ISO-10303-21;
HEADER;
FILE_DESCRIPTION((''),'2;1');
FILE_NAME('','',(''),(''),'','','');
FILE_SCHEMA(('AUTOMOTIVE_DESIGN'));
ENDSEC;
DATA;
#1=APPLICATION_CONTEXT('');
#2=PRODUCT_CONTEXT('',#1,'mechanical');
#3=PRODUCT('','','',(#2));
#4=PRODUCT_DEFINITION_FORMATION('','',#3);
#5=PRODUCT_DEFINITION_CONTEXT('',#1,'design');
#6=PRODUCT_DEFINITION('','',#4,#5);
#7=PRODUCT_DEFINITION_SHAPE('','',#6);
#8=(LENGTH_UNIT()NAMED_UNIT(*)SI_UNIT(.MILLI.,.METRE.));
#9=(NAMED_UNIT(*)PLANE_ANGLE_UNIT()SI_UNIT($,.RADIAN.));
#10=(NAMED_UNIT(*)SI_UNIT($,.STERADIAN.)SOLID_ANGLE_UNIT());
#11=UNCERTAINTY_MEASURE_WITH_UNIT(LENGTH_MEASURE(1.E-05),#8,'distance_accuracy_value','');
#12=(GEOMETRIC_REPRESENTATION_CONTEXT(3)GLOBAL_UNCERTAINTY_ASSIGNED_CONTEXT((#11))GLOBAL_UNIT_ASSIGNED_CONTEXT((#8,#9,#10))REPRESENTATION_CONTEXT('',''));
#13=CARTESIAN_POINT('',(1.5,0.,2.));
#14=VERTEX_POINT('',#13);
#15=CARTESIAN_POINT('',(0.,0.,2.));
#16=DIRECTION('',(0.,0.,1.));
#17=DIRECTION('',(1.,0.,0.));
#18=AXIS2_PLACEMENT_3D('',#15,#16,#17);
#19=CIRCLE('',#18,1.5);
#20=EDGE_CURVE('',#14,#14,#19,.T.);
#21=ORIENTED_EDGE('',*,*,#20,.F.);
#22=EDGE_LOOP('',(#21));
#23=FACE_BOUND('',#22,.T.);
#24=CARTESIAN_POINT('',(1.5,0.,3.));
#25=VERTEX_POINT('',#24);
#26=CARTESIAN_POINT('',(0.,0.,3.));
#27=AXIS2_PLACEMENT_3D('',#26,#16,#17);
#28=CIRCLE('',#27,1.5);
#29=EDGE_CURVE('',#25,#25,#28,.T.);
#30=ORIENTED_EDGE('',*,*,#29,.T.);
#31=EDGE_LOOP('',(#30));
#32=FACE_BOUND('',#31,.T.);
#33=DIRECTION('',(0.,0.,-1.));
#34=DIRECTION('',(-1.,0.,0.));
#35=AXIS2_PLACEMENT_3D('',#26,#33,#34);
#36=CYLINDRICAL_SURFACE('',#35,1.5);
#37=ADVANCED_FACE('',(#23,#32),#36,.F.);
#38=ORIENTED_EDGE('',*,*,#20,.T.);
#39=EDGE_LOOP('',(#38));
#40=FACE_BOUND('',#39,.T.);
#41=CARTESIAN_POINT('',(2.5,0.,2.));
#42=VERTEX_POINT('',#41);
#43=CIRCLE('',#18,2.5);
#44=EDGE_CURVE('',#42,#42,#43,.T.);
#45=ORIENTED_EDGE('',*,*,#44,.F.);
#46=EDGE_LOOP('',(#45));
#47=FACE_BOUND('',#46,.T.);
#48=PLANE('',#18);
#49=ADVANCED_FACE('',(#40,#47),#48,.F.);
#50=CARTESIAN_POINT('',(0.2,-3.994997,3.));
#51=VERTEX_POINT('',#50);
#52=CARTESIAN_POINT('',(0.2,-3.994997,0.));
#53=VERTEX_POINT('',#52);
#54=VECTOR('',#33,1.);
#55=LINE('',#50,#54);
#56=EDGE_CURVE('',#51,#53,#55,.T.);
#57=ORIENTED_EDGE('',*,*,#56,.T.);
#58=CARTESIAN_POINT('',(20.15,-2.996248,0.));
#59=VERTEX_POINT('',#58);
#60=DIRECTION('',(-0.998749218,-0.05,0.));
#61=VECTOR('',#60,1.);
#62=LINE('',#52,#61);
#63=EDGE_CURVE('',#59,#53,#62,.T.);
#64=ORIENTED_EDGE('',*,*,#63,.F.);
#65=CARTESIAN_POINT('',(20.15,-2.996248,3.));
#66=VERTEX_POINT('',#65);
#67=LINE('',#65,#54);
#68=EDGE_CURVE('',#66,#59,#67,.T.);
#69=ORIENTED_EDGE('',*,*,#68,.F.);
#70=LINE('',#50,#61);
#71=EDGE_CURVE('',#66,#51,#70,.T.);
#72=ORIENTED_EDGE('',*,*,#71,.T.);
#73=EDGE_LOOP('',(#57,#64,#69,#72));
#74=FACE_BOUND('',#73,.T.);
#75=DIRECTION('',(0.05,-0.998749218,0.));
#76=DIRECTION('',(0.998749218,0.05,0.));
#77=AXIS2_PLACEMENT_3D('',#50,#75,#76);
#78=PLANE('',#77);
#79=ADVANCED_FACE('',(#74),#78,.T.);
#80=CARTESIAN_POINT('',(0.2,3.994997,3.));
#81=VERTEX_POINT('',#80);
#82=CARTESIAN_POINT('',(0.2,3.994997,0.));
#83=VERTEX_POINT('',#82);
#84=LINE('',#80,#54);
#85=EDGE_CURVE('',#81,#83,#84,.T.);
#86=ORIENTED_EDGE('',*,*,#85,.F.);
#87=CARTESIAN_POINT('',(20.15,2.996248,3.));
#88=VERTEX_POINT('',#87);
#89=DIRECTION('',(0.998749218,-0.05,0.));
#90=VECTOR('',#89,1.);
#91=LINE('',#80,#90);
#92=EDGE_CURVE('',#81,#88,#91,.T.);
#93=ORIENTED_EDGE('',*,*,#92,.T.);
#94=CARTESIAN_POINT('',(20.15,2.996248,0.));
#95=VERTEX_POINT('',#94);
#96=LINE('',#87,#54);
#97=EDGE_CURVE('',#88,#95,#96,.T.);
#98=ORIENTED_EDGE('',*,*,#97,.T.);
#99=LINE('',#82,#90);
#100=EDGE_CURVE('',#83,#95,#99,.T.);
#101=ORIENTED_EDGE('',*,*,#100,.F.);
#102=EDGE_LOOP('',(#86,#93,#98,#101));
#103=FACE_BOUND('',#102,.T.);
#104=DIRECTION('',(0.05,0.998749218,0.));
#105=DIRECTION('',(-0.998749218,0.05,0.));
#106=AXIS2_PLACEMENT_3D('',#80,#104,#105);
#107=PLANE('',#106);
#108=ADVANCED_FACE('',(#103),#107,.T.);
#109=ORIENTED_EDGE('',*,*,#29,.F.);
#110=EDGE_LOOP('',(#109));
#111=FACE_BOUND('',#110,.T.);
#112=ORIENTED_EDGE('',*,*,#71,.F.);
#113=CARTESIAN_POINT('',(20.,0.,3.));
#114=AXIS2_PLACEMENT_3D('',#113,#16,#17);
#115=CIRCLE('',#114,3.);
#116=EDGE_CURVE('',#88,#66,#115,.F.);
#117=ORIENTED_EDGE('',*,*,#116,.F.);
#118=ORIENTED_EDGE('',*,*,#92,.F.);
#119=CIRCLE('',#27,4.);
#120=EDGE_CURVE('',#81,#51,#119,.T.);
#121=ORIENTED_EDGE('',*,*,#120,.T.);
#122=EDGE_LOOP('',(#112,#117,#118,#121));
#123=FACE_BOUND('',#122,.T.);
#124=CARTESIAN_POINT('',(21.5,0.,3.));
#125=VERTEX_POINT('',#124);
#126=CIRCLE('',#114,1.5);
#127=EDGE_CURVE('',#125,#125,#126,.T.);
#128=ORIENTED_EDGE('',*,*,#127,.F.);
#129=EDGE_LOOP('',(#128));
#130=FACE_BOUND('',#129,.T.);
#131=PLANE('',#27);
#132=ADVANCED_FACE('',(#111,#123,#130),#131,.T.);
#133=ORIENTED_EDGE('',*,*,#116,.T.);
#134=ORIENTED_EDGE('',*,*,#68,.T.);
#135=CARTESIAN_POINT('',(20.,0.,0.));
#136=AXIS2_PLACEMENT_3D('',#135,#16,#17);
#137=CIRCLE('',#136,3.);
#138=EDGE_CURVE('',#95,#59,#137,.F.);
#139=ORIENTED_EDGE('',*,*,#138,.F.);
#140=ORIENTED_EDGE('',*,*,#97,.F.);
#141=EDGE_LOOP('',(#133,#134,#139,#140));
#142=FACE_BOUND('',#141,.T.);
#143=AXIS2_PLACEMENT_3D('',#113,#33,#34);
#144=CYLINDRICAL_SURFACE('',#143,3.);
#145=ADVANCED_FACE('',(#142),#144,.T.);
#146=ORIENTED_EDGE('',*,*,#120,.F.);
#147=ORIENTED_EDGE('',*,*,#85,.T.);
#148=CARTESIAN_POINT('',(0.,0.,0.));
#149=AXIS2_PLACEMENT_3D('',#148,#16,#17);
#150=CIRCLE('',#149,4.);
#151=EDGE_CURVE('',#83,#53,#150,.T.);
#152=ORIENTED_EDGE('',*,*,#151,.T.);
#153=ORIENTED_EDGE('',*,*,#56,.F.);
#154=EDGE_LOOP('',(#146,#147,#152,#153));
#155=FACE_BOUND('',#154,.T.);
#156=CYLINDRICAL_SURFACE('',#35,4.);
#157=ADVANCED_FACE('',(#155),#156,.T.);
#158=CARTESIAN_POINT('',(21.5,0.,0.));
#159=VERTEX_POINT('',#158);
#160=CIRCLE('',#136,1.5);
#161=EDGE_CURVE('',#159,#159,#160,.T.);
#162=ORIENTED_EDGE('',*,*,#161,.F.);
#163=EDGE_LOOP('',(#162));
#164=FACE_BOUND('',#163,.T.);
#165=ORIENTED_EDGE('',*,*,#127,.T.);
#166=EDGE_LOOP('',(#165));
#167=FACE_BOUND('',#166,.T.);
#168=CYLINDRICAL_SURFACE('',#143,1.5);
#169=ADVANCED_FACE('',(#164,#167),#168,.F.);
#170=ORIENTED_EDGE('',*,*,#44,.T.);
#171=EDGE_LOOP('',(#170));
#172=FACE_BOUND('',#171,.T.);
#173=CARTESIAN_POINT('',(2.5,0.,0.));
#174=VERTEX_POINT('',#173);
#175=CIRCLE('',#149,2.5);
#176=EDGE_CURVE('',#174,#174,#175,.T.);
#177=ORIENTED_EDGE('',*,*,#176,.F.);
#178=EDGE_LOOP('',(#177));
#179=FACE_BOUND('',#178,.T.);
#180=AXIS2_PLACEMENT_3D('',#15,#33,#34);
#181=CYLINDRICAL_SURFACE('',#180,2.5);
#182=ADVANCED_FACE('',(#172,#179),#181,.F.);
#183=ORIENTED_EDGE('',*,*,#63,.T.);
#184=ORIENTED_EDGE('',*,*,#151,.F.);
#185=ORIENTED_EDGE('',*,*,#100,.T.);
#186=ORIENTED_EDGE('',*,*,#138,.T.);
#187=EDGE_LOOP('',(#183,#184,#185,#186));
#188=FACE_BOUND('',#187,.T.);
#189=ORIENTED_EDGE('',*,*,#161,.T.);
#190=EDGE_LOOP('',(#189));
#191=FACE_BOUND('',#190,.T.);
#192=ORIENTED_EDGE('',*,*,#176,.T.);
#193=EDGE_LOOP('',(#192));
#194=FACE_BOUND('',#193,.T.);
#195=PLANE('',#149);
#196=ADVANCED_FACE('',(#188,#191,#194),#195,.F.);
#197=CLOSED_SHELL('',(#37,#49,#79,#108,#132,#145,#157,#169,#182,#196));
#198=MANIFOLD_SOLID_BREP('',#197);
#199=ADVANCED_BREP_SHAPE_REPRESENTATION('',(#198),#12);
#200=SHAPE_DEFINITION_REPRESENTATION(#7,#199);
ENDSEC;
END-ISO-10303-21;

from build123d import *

# Parameters (mm, degrees)
ESQUISSE1_R             = 1.5
BOSS_EXTRU_1_DEPTH      = 3
ESQUISSE1_4_R           = 2.5
ESQUISSE1_4_R_2         = 1.5
ENL_V_MAT_EXTRU_1_DEPTH = 2


with BuildPart() as part:
    # Esquisse1 → Boss.-Extru.1 (new body)
    with BuildSketch(Plane.XY):
        with BuildLine():
            Line((20.15, 2.996247653), (0.2, 3.994996871))
            ThreePointArc((0.2, 3.994996871), (-4, 0), (0.2, -3.994996871))
            Line((0.2, -3.994996871), (20.15, -2.996247653))
            ThreePointArc((20.15, -2.996247653), (23, 0), (20.15, 2.996247653))
        make_face()
        with Locations((20, 0)):
            Circle(ESQUISSE1_R, mode=Mode.SUBTRACT)
        Circle(ESQUISSE1_R, mode=Mode.SUBTRACT)
    extrude(amount=BOSS_EXTRU_1_DEPTH)

    # Esquisse1<4> → Enlèv. mat.-Extru.1 (cut)
    with BuildSketch(Plane.XY):
        Circle(ESQUISSE1_4_R)
        Circle(ESQUISSE1_4_R_2, mode=Mode.SUBTRACT)
    extrude(amount=ENL_V_MAT_EXTRU_1_DEPTH, mode=Mode.SUBTRACT)


solid = part.part
